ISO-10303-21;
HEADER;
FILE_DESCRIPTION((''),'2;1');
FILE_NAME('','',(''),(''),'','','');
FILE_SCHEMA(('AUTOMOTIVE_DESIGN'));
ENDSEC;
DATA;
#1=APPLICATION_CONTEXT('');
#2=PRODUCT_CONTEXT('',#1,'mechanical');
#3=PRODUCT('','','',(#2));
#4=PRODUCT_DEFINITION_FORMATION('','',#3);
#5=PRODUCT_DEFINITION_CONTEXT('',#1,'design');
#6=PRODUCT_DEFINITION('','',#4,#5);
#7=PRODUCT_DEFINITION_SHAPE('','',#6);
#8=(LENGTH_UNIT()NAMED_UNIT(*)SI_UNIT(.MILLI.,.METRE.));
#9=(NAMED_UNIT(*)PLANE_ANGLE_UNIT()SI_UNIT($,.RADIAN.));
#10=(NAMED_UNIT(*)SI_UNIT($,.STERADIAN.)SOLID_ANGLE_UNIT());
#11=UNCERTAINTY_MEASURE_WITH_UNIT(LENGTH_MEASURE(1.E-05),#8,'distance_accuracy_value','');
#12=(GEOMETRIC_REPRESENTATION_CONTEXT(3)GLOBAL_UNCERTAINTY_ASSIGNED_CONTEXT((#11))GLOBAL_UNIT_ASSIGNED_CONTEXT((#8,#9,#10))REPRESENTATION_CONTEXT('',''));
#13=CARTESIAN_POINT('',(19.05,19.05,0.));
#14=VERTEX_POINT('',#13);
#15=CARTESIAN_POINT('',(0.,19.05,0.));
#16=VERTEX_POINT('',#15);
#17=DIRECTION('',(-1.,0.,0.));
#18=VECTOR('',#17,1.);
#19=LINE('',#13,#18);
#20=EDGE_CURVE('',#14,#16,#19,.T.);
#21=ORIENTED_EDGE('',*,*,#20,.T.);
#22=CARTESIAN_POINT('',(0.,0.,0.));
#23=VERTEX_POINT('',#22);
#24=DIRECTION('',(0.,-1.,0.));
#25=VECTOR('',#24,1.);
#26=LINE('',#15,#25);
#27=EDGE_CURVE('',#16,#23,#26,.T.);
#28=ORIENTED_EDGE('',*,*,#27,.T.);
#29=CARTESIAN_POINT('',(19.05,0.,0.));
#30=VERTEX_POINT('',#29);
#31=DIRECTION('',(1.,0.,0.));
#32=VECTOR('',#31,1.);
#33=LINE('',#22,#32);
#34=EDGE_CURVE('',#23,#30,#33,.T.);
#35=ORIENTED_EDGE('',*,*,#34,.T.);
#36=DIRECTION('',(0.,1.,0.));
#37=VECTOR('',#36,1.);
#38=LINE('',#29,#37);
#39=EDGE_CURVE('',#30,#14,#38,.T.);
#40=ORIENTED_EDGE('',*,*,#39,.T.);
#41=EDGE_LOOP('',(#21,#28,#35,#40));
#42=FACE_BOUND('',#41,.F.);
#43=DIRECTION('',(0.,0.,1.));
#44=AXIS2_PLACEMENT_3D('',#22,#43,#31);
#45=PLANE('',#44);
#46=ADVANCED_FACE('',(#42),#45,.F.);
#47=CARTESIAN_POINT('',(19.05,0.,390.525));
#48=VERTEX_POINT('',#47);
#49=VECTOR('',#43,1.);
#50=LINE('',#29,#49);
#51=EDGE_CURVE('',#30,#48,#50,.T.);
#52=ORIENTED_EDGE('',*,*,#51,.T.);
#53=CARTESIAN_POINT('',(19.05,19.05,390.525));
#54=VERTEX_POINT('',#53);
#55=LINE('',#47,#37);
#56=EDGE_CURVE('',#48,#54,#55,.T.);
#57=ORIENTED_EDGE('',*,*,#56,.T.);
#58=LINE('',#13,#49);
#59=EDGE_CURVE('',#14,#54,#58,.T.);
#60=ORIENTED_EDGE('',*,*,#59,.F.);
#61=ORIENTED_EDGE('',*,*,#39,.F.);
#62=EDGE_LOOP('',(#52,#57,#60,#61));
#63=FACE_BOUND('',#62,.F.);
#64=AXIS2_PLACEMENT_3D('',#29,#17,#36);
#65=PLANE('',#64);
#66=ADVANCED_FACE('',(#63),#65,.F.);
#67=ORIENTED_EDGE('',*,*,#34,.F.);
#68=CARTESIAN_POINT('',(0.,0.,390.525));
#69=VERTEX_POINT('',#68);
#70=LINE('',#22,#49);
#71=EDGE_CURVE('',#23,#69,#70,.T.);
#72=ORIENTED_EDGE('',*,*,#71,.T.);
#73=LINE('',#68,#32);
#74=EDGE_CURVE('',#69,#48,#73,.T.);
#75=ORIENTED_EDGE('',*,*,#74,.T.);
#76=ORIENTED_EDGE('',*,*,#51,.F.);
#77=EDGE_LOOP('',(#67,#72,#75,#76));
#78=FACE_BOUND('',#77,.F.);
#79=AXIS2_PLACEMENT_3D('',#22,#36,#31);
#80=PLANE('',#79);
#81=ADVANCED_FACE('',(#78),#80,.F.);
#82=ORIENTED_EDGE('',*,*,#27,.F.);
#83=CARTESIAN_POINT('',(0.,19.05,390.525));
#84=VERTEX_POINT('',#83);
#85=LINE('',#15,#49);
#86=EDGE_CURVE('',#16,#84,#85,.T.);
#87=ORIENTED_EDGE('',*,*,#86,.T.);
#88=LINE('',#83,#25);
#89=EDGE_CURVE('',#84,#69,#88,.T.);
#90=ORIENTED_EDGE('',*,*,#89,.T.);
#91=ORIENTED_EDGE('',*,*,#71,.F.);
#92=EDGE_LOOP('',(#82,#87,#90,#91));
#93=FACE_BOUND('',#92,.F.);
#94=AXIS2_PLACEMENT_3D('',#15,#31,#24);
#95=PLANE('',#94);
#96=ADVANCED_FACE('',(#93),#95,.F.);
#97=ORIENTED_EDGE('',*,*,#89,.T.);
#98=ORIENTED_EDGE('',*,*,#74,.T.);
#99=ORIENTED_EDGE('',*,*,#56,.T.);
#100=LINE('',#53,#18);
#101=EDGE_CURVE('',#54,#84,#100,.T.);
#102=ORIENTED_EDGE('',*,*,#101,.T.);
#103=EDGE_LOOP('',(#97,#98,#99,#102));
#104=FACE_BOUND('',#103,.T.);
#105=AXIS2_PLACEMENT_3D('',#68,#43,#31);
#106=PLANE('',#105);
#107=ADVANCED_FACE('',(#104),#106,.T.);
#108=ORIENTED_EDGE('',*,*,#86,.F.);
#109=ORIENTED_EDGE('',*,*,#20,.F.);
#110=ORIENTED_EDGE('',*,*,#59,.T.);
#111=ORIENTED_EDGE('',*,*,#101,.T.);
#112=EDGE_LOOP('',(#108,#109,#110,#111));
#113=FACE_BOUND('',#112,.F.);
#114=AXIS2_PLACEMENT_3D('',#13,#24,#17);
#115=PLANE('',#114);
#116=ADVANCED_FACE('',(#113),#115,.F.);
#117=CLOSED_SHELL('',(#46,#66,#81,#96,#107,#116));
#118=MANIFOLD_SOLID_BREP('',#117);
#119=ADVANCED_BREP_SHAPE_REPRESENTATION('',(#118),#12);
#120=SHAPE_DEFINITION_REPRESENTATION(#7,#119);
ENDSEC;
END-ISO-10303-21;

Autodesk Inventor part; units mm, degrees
ref_plane "YZ Plane" through (0, 0, 0) normal (1, 0, 0) x (0, 1, 0)
ref_plane "XZ Plane" through (0, 0, 0) normal (0, 1, 0) x (-1, 0, 0)
ref_plane "XY Plane" through (0, 0, 0) normal (0, 0, 1) x (1, 0, 0)
sketch "Sketch1" plane through (0, 0, 0) normal (0, 0, 1) x (1, 0, 0)
  line L0 (0, 0) -> (19.05, 0)
  line L1 (19.05, 0) -> (19.05, 19.05)
  line L2 (19.05, 19.05) -> (0, 19.05)
  line L3 (0, 19.05) -> (0, 0)
  dimension "d0" = 19.05
  dimension "d1" = 19.05
extrude "Extrusion1" add sketch "Sketch1" along normal blind 390.525
properties part number "y base piece"
